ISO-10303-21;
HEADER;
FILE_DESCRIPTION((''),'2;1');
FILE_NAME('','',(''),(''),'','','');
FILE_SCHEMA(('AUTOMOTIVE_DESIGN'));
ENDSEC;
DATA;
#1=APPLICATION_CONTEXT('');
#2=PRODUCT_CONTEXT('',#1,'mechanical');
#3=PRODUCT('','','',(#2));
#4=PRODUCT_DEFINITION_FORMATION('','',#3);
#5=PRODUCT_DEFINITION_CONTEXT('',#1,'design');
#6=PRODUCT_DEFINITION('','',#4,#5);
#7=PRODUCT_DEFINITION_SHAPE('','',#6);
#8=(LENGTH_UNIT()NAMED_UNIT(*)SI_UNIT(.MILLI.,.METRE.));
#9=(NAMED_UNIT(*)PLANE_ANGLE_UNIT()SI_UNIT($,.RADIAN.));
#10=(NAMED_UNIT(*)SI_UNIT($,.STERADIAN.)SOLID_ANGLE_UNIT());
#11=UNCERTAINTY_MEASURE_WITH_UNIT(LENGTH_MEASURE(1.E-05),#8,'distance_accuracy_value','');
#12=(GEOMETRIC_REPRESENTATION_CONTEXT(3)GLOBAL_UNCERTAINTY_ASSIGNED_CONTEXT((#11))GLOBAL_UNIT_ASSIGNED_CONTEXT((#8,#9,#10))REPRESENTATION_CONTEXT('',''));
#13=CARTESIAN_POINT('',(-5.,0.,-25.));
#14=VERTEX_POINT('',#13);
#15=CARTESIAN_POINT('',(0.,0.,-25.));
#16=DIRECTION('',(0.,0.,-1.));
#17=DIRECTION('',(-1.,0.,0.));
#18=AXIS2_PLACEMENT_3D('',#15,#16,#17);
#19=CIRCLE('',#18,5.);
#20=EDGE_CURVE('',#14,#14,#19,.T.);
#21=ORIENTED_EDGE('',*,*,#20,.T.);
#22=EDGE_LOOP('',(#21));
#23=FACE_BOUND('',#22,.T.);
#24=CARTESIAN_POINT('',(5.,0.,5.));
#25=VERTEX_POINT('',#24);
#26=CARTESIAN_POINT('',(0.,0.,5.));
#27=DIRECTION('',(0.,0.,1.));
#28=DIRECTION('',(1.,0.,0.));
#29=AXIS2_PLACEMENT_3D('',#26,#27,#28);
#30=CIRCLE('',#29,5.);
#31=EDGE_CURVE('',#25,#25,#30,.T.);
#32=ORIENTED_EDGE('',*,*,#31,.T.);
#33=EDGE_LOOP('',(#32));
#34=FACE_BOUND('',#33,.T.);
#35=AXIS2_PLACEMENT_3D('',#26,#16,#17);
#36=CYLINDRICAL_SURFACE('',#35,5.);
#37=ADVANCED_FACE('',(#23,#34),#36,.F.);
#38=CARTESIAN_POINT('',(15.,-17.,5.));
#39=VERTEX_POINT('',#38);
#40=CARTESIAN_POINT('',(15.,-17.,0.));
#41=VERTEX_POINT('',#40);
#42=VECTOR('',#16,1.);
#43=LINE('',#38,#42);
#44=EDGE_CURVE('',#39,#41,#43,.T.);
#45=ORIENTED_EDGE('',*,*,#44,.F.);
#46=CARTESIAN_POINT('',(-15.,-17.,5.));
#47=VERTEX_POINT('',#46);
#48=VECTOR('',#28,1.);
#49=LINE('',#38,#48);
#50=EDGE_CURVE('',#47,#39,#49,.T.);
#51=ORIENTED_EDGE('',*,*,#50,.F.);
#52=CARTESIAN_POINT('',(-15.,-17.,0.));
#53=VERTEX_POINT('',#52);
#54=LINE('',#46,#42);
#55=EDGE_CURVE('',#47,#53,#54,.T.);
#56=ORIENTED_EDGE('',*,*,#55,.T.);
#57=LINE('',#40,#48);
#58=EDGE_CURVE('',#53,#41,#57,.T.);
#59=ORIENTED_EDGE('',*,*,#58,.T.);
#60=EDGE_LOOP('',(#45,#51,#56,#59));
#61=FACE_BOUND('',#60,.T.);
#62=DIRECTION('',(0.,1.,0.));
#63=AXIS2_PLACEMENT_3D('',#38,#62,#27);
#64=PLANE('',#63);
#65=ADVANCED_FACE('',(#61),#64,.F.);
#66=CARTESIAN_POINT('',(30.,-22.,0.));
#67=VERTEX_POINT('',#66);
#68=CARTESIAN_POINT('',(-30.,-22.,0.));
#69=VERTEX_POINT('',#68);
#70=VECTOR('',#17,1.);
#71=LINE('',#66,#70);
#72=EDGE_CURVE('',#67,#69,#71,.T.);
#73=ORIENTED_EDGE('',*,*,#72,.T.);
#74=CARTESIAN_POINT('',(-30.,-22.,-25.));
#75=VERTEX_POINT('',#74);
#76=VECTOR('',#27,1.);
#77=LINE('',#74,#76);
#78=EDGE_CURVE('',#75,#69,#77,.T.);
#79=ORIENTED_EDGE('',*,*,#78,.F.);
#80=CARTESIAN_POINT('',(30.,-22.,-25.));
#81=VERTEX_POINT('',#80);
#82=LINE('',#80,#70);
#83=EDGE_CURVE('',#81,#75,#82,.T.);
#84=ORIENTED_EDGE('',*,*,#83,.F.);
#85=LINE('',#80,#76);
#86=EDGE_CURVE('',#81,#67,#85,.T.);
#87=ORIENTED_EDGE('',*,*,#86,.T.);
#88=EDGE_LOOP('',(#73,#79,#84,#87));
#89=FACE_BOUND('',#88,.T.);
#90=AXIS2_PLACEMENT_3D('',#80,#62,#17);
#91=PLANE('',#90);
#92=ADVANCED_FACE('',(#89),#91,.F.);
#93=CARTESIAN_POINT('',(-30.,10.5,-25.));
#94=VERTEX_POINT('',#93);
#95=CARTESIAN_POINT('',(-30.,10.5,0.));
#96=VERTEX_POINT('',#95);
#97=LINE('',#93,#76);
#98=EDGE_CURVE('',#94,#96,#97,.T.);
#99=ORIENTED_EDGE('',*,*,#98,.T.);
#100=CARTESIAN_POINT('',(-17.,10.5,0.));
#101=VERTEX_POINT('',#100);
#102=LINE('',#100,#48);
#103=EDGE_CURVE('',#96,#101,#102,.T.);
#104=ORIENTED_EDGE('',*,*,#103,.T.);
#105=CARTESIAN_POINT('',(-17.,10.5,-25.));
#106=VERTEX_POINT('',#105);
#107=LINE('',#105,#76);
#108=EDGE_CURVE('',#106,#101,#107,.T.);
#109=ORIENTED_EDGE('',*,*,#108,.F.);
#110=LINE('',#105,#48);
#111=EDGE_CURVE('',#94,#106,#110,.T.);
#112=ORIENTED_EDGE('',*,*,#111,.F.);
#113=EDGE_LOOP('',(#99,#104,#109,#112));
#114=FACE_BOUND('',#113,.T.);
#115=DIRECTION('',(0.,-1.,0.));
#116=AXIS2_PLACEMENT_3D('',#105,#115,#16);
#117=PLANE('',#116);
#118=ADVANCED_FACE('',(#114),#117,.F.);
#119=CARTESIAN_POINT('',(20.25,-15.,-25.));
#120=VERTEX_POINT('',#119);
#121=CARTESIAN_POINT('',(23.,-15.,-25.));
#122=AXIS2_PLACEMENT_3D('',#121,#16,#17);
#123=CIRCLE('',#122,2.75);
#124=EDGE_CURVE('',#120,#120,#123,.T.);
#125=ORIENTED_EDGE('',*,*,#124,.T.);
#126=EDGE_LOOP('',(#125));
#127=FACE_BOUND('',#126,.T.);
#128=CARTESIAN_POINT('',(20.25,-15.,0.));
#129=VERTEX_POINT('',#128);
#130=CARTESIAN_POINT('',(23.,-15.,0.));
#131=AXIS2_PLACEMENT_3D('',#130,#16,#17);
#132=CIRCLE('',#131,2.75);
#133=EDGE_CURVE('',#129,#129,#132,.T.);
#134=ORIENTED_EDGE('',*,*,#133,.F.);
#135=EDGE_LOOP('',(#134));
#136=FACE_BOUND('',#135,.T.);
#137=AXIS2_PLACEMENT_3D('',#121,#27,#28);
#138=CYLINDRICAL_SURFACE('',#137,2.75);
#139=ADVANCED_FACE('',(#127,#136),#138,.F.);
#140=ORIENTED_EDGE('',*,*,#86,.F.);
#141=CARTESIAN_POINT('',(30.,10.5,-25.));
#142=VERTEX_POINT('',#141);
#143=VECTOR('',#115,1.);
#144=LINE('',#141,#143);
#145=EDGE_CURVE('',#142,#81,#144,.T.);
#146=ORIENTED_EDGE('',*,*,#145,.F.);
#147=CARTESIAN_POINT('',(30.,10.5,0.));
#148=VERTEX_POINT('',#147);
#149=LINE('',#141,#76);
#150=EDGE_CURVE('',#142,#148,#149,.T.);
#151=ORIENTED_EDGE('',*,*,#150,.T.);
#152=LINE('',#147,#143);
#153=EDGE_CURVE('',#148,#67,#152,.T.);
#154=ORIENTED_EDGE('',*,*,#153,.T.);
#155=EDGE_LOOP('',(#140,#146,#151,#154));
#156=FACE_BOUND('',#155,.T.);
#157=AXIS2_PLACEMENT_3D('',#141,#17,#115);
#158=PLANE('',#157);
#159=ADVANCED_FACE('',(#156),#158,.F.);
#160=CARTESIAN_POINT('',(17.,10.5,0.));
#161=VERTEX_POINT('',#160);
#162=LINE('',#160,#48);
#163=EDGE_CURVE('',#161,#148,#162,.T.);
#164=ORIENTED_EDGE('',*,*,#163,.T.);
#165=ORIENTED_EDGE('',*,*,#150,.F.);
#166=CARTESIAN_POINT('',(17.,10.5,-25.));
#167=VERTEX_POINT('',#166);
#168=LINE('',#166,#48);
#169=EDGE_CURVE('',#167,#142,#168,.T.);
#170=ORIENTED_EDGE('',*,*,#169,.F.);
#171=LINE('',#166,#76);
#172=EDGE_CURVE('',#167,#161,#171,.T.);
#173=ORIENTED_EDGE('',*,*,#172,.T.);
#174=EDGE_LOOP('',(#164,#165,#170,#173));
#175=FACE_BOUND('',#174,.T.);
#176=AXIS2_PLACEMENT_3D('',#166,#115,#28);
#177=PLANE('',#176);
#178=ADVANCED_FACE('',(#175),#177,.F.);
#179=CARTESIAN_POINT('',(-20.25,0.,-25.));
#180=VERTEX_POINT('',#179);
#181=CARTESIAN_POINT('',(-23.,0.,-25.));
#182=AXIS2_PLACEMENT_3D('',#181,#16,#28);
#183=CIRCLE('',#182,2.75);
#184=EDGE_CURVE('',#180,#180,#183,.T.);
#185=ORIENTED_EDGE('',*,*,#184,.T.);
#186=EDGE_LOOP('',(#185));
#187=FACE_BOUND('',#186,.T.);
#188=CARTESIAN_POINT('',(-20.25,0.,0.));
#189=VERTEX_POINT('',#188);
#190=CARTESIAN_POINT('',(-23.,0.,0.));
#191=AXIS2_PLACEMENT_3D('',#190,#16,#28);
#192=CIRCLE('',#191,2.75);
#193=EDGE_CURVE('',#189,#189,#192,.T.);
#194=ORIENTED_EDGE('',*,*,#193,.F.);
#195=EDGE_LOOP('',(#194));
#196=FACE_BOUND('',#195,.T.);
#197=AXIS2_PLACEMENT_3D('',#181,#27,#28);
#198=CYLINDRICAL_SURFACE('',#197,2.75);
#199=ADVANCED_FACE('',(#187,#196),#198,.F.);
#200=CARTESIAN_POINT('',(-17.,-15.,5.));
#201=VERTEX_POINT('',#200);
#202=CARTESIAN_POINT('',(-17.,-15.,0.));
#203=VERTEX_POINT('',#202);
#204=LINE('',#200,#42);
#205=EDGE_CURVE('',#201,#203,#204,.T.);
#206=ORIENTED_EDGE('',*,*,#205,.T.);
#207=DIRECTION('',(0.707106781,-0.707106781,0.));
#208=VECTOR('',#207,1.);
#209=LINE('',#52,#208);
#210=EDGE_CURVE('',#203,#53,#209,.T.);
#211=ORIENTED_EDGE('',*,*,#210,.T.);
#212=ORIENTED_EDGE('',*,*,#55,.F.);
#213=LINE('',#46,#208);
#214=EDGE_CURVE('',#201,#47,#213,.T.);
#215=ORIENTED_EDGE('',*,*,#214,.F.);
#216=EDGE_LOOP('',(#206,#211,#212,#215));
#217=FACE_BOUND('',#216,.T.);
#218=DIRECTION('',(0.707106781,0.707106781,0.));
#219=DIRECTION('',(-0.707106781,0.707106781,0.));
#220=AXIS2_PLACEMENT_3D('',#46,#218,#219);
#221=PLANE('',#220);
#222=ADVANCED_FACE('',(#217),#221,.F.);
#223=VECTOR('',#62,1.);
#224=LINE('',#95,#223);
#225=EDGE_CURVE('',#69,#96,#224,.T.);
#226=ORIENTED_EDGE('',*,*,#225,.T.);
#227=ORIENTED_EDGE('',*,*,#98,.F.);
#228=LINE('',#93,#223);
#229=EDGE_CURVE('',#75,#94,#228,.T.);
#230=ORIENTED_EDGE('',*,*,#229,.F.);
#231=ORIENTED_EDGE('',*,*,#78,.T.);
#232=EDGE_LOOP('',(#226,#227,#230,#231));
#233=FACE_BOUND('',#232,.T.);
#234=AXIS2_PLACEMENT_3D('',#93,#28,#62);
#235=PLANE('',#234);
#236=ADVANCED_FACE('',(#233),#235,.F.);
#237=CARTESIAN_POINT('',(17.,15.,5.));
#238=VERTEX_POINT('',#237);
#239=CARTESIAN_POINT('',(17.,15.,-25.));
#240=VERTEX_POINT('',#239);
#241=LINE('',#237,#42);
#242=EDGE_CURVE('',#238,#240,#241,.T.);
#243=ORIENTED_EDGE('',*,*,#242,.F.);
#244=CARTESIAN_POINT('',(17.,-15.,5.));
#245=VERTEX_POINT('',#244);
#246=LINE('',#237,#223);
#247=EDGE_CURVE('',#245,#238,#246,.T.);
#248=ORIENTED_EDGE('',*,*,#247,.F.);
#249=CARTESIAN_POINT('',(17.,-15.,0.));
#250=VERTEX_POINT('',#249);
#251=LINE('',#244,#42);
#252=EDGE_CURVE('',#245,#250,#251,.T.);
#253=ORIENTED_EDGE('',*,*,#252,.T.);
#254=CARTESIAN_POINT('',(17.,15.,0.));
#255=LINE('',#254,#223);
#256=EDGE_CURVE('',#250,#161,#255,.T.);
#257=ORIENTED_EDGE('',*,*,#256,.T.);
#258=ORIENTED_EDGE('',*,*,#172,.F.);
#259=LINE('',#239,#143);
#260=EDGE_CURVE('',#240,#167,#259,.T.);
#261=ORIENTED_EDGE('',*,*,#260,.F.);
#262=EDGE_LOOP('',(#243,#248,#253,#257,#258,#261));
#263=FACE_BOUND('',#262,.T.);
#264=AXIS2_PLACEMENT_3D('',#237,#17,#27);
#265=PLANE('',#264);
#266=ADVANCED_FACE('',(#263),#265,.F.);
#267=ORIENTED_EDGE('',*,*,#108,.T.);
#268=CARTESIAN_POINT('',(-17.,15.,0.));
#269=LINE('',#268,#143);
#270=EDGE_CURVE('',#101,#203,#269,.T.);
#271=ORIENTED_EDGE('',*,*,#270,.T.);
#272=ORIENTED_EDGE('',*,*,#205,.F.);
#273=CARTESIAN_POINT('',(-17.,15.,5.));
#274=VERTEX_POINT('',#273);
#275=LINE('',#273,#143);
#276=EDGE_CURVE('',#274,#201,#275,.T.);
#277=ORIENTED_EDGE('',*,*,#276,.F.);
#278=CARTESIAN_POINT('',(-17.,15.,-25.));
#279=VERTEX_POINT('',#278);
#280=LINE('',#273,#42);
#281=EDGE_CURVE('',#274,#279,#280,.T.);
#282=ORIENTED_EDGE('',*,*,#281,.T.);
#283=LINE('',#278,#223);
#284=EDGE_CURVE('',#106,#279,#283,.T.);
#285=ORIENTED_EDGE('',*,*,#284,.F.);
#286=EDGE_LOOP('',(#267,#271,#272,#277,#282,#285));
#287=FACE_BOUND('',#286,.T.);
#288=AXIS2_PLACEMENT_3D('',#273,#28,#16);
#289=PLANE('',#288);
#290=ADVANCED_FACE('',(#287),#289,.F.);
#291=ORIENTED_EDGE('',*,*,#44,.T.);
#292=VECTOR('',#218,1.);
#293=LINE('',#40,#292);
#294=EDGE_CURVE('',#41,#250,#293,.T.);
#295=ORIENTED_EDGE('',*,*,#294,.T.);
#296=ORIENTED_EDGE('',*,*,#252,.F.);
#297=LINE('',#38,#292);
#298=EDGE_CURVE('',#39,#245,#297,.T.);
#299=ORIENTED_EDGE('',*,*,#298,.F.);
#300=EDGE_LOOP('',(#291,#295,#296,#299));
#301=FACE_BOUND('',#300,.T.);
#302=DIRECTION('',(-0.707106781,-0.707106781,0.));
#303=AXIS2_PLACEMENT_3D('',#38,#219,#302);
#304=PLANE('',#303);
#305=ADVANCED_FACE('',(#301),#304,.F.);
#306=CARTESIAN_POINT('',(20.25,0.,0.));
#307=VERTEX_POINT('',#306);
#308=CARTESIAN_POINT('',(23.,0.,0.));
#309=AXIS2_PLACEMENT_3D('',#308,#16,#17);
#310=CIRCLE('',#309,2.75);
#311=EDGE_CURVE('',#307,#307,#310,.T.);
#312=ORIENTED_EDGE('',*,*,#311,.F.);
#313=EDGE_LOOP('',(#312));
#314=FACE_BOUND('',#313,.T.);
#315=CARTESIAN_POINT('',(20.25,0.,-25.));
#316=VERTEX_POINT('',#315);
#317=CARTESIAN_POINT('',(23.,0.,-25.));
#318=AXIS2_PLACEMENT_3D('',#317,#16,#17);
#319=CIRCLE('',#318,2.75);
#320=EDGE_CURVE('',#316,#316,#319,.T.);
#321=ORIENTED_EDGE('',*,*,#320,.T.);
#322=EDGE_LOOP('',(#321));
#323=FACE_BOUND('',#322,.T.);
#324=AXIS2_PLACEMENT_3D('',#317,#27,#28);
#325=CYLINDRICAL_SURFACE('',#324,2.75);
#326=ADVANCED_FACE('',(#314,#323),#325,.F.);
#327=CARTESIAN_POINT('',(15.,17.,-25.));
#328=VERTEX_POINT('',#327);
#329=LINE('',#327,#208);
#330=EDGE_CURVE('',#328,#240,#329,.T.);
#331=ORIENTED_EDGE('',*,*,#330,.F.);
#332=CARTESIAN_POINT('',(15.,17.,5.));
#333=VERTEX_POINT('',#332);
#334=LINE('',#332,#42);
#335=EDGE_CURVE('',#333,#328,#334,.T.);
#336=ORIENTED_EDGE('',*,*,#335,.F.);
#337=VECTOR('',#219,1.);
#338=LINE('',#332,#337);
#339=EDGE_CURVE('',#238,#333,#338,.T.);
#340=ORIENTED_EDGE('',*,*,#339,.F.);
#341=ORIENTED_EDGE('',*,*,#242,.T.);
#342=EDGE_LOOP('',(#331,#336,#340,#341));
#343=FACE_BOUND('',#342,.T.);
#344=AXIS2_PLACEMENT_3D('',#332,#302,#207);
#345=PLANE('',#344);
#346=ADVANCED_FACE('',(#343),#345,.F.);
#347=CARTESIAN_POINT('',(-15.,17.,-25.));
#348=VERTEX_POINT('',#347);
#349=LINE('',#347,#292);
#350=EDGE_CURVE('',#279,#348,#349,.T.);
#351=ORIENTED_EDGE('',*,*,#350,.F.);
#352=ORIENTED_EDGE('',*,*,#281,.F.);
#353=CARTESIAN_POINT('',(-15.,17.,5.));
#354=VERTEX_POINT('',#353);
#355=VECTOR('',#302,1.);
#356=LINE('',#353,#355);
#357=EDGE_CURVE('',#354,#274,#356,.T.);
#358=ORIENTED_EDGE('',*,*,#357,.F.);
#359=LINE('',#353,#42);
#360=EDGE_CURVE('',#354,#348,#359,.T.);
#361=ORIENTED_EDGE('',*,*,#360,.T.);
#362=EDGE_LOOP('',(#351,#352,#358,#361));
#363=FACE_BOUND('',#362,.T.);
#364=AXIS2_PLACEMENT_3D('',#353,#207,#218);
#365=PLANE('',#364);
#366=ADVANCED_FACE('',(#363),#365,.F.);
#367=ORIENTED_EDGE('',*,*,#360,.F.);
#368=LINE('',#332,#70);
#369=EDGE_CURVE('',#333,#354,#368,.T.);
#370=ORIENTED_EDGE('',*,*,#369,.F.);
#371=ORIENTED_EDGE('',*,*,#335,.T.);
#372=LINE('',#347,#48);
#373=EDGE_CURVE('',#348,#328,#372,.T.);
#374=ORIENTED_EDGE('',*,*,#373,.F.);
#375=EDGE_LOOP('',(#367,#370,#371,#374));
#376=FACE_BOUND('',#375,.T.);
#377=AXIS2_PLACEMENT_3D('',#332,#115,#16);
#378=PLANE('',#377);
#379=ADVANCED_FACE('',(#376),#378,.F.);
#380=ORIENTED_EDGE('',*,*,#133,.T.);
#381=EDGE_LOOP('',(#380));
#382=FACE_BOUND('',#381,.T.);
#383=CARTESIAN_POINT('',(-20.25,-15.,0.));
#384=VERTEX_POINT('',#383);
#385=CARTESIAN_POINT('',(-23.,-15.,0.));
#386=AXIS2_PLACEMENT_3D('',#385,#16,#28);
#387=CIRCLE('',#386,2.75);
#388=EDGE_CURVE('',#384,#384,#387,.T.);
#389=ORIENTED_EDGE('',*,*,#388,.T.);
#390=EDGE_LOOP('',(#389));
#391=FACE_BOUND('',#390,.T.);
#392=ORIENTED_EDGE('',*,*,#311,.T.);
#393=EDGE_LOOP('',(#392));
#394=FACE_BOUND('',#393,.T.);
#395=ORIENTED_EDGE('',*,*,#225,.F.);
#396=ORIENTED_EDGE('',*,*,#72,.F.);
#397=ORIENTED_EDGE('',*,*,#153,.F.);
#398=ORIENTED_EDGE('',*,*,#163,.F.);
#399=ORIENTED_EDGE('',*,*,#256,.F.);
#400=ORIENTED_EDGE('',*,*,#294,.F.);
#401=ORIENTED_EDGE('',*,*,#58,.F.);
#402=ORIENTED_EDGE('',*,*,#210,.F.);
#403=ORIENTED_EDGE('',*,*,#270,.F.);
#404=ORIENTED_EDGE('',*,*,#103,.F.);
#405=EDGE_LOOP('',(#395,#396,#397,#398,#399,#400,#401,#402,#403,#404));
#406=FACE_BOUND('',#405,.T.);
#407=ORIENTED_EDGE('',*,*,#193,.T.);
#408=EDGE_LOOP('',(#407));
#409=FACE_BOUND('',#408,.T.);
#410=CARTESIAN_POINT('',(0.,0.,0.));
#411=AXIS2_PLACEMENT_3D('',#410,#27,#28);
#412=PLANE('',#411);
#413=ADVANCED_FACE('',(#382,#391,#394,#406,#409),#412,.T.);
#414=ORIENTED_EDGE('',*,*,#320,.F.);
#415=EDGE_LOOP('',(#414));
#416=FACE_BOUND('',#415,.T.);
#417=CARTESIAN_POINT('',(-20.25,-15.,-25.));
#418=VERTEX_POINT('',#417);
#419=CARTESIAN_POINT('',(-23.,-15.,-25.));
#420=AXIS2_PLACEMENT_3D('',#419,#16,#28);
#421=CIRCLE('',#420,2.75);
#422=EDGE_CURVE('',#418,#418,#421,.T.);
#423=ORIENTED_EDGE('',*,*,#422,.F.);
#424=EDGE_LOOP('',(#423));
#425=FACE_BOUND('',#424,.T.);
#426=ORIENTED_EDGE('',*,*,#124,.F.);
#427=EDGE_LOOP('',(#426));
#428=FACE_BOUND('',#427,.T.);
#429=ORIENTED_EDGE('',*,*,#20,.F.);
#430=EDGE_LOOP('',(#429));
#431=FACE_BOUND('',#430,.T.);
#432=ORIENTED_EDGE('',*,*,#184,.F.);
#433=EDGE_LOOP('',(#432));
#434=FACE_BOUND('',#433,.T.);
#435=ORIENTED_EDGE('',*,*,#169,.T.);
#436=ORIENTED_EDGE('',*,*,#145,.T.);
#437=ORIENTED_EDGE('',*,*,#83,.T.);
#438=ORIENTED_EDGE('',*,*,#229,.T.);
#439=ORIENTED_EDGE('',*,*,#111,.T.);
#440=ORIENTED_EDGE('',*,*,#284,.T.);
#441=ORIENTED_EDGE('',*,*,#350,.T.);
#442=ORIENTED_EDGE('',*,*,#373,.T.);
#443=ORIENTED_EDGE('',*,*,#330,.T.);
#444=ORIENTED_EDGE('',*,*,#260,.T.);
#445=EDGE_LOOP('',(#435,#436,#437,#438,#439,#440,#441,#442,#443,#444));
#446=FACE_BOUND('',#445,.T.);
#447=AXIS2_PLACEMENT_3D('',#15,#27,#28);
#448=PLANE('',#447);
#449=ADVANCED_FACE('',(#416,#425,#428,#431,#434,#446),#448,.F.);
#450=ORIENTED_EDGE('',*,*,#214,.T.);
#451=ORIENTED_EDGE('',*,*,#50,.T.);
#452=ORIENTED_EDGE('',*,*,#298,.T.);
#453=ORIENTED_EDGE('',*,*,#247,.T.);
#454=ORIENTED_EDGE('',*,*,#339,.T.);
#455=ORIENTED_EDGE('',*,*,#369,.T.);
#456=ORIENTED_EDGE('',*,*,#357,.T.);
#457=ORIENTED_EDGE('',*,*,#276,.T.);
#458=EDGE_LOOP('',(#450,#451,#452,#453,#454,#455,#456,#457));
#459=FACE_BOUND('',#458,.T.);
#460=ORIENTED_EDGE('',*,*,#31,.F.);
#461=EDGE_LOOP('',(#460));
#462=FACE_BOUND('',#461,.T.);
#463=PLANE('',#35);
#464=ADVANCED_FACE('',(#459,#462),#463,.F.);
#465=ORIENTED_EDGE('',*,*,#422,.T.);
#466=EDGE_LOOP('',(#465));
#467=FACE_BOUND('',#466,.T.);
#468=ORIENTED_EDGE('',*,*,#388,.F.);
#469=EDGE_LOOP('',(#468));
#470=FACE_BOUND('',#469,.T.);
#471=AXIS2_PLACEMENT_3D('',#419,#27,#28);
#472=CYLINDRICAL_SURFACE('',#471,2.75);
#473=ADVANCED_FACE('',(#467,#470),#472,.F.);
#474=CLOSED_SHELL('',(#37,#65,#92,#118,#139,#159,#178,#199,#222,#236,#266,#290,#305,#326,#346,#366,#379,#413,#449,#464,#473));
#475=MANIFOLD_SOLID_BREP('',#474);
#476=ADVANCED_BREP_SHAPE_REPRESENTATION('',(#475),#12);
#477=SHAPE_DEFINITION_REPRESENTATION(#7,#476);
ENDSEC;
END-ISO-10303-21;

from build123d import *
from build123d.topology import SkipClean

# Parameters (mm, degrees)
SKETCH1_R           = 5
BOSS_EXTRUDE1_DEPTH = 5
BOSS_EXTRUDE2_START = 25
SKETCH2_R           = 5
SKETCH2_R_2         = 2.75
BOSS_EXTRUDE2_DEPTH = 25


with BuildPart() as part:
    # Sketch1 → Boss-Extrude1 (new body)
    with BuildSketch(Plane.XY):
        Polygon((15, 17), (-15, 17), (-17, 15), (-17, -15), (-15, -17), (15, -17), (17, -15), (17, 15), align=None)
        Circle(SKETCH1_R, mode=Mode.SUBTRACT)
    extrude(amount=BOSS_EXTRUDE1_DEPTH)

    # Sketch2 → Boss-Extrude2 (add)
    with SkipClean():  # the faces are left unmerged after this step: merging them gives an invalid solid
        with BuildSketch(Plane(origin=(0, 0, 0), x_dir=(-1, 0, 0), z_dir=(0, 0, -1)).offset(BOSS_EXTRUDE2_START)):
            Polygon((15, 17), (-15, 17), (-17, 15), (-17, 10.5), (-30, 10.5), (-30, -22), (30, -22), (30, 10.5), (17, 10.5), (17, 15), align=None)
            Circle(SKETCH2_R, mode=Mode.SUBTRACT)
            with Locations((-23, 0)):
                Circle(SKETCH2_R_2, mode=Mode.SUBTRACT)
            with Locations((-23, -15)):
                Circle(SKETCH2_R_2, mode=Mode.SUBTRACT)
            with Locations(Location((23, -15, 0), (0, 0, 180))):
                Circle(SKETCH2_R_2, mode=Mode.SUBTRACT)
            with Locations(Location((23, 0, 0), (0, 0, 180))):
                Circle(SKETCH2_R_2, mode=Mode.SUBTRACT)
        extrude(amount=-BOSS_EXTRUDE2_DEPTH)


solid = part.part
